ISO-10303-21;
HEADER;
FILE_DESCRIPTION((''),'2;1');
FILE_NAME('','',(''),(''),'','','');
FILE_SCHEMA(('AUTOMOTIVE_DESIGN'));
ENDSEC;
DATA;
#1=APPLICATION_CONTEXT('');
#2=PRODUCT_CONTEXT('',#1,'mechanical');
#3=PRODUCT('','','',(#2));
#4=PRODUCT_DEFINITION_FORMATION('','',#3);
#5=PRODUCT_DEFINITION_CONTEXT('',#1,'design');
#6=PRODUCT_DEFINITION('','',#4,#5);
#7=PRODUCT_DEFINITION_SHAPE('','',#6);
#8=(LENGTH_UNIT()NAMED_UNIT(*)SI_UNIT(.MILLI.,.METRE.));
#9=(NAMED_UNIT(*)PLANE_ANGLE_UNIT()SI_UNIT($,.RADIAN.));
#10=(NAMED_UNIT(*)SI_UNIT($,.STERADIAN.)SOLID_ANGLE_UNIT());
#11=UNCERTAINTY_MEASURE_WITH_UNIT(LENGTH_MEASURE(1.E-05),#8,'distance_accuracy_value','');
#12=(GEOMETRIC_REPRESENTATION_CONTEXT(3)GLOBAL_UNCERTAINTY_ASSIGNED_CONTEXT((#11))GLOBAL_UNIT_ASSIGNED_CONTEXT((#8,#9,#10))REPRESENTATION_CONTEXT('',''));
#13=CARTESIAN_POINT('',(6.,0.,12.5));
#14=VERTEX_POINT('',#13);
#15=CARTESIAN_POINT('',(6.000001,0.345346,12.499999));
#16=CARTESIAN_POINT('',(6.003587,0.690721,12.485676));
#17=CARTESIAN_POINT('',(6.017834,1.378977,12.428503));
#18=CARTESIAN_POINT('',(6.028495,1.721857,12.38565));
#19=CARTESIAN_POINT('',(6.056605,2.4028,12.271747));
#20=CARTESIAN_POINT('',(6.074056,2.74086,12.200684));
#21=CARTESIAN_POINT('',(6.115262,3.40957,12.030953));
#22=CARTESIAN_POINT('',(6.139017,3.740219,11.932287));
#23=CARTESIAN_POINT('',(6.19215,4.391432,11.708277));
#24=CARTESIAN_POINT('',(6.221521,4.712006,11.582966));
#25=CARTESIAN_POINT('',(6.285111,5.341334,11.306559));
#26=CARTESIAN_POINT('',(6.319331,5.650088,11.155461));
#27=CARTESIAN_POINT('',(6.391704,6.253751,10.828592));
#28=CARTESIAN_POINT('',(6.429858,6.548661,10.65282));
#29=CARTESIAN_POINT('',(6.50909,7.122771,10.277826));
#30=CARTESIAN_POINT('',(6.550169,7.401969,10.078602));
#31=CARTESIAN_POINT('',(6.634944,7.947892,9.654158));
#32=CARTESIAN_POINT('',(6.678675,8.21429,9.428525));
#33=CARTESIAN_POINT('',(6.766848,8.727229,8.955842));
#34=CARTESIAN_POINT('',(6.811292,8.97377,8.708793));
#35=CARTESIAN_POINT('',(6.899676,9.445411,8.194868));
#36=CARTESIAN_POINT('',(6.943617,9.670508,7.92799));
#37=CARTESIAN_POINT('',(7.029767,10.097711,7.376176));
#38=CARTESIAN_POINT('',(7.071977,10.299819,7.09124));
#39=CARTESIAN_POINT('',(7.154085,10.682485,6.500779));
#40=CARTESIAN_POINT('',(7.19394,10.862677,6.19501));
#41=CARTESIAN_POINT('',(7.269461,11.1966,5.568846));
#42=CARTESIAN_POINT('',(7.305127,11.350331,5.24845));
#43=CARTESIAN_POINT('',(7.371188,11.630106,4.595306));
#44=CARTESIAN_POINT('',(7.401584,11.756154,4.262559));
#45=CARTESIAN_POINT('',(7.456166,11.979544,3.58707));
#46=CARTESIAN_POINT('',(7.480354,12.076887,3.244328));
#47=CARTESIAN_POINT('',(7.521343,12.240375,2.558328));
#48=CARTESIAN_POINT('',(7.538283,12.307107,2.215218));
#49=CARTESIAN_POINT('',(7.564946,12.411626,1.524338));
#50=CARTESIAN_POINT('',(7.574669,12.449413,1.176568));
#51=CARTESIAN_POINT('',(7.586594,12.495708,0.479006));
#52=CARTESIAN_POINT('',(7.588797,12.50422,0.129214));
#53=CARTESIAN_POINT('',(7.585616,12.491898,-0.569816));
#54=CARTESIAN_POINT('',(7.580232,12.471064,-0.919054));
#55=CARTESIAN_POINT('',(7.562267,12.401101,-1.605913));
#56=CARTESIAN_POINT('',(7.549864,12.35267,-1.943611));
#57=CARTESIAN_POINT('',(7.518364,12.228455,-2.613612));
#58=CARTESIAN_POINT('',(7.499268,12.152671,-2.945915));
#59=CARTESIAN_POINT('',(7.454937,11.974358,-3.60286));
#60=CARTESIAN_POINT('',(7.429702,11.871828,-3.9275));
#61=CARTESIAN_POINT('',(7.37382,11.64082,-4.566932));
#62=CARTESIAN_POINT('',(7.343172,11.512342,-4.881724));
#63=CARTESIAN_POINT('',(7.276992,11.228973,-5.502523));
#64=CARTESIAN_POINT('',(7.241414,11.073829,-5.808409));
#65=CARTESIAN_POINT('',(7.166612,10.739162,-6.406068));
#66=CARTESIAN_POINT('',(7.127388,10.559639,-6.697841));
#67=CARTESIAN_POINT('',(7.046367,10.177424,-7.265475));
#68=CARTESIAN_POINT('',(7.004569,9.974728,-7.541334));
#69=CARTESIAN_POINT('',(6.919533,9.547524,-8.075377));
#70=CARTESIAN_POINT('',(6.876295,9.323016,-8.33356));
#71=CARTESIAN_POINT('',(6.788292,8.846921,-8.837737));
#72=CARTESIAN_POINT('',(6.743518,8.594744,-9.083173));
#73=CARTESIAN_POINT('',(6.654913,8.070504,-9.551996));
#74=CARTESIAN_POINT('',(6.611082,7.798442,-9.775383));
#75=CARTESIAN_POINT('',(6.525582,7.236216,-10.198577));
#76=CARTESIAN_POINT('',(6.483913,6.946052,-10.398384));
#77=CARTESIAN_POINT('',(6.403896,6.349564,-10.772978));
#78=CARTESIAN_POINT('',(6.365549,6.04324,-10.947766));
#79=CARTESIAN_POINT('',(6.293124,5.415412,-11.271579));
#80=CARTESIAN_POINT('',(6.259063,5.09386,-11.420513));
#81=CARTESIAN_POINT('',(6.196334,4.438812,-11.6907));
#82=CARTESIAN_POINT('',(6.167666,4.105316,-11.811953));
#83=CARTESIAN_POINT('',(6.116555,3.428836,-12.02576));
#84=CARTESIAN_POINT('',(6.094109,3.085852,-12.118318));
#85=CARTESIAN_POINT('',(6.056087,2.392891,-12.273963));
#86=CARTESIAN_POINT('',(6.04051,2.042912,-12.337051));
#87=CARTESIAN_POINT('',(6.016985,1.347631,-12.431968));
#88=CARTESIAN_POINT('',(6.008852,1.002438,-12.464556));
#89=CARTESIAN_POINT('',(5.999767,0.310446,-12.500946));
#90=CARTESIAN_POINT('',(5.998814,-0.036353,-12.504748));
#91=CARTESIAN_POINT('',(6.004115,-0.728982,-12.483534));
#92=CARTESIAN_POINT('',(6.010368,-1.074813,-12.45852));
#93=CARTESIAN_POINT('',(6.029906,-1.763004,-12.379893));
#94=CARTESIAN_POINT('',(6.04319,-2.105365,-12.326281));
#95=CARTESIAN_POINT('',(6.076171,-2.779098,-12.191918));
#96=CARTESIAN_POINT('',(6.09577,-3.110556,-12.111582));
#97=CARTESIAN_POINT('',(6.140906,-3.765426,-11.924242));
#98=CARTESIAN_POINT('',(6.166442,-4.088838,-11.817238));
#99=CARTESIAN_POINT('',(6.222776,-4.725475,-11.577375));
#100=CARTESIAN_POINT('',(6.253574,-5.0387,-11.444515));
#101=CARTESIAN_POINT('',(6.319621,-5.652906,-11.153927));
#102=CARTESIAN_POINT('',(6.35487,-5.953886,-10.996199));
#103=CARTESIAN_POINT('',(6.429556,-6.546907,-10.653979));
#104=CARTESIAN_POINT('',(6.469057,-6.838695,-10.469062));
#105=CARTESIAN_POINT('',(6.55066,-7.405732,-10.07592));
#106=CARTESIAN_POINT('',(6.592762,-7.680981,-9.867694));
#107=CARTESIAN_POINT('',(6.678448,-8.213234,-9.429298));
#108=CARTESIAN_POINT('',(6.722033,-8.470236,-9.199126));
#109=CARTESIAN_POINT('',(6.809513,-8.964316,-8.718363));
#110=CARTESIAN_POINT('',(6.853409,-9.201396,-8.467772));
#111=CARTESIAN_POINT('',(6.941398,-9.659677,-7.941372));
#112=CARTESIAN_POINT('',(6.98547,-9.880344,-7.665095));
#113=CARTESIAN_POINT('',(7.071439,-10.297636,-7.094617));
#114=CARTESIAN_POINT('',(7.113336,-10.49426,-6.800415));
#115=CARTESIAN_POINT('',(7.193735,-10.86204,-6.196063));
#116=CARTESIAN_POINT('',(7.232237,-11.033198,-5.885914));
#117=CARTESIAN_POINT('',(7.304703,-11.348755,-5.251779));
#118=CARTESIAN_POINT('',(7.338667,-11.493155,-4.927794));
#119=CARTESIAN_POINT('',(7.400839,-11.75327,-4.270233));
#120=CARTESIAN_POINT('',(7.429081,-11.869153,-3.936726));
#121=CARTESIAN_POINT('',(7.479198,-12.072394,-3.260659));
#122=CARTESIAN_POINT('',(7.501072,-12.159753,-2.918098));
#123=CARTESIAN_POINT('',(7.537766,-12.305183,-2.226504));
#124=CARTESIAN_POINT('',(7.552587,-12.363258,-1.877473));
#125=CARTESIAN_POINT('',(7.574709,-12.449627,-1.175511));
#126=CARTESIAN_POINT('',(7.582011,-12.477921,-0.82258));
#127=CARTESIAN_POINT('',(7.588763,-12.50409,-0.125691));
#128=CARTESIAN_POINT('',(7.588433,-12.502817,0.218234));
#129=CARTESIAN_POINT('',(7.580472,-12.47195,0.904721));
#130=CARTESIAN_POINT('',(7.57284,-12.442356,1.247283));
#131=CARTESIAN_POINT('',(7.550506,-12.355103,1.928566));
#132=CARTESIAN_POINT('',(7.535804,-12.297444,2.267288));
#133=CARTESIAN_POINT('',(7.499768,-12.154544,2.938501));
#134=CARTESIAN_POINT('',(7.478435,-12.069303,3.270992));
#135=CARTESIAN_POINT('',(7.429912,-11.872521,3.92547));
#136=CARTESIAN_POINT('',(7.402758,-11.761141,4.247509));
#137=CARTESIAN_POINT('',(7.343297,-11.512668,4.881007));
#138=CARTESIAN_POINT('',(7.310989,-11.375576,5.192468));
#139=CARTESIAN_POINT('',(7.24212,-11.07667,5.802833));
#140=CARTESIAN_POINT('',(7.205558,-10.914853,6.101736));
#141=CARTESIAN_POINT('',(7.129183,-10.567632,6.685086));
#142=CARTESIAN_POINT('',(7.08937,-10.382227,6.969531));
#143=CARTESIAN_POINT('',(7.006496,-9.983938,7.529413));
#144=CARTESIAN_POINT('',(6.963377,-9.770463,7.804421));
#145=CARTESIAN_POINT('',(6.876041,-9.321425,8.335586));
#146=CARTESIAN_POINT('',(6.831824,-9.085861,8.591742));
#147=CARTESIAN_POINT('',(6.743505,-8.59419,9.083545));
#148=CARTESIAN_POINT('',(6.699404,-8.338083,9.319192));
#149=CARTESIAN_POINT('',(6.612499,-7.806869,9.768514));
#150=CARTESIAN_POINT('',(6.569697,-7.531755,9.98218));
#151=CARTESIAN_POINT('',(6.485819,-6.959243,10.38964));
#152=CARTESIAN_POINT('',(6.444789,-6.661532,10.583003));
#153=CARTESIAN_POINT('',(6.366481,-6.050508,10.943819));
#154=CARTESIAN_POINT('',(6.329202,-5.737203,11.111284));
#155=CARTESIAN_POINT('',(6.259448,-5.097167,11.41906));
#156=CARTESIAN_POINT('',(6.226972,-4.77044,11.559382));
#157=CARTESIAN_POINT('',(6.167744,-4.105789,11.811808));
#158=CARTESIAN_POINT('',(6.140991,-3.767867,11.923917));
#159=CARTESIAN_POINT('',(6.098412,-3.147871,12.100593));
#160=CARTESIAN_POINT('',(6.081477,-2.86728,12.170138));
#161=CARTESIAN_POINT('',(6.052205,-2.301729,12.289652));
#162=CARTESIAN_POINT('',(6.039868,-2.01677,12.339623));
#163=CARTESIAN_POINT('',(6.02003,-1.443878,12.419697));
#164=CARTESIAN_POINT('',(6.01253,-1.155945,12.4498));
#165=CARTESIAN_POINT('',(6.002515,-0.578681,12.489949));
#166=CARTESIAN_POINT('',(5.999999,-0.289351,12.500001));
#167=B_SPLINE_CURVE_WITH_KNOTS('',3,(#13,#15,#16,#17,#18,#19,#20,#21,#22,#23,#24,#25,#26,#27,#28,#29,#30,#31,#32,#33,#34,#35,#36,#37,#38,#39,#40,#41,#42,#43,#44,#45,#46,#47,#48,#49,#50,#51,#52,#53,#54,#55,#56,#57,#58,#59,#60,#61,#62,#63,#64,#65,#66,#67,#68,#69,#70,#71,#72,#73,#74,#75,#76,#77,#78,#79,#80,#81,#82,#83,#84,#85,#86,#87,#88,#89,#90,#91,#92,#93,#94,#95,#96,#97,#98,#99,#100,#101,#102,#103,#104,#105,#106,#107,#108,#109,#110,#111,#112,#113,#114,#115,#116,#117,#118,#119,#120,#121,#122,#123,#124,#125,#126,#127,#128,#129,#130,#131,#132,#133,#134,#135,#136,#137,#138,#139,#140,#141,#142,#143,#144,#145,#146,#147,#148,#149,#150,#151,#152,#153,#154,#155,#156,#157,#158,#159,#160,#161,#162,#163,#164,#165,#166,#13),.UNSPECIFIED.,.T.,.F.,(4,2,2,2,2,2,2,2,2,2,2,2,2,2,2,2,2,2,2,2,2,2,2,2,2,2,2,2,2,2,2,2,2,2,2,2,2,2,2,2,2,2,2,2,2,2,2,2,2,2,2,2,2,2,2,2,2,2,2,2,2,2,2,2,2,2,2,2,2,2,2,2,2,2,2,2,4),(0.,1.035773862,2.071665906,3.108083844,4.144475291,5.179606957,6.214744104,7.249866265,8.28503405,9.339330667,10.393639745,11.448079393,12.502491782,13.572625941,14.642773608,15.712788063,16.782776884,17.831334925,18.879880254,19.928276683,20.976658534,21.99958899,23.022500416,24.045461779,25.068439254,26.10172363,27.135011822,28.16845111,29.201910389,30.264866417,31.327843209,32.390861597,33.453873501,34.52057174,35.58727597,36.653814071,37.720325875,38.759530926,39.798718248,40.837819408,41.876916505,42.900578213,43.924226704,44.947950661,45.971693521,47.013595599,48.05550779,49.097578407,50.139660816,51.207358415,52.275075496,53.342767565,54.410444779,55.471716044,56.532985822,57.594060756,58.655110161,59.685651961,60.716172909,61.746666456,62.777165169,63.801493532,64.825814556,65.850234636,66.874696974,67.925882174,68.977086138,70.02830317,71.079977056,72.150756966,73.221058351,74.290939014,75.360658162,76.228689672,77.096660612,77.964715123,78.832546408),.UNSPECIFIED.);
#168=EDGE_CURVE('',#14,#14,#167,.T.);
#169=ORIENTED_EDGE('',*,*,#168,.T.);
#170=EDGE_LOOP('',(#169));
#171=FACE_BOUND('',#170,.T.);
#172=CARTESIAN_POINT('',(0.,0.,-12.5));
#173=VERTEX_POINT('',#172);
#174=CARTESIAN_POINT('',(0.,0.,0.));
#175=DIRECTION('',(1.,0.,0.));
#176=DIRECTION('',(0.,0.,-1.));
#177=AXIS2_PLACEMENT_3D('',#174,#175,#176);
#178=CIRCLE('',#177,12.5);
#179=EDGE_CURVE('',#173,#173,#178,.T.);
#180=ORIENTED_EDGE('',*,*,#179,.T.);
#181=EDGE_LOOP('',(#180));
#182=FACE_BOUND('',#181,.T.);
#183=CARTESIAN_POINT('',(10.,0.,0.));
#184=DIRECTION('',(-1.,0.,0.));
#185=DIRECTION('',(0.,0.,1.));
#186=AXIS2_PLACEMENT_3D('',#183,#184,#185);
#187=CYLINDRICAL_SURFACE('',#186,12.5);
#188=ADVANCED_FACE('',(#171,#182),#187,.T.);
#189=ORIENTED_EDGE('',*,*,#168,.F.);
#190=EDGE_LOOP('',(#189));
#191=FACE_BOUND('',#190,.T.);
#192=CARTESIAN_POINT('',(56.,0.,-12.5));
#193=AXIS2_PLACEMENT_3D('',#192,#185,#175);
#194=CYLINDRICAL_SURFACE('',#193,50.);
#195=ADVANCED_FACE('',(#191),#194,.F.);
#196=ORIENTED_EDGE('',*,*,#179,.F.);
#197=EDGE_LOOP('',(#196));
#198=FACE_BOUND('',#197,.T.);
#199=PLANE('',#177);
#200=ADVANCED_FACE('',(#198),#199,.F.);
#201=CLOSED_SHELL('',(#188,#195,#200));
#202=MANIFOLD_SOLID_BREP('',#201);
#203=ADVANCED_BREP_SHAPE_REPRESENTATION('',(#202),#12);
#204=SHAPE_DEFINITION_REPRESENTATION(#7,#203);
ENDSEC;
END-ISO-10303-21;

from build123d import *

# Parameters (mm, degrees)
SKETCH_1_R               = 12.5
EXTRUDE_1_DEPTH          = 10
SKETCH_2_R               = 50
CUT_EXTRUDE_1_DEPTH      = 13.5
CUT_EXTRUDE_1_DEPTH_BACK = 13.5


with BuildPart() as part:
    # 草图1 → 凸台-拉伸1 (new body)
    with BuildSketch(Plane(origin=(0, 0, 0), x_dir=(0, 0, -1), z_dir=(1, 0, 0))):
        Circle(SKETCH_1_R)
    extrude(amount=EXTRUDE_1_DEPTH)

    # 草图2 → 切除-拉伸1 (cut, two sides)
    with BuildSketch(Plane.XY) as cut_extrude_1_sk:
        with Locations((56, 0)):
            Circle(SKETCH_2_R)
    extrude(amount=CUT_EXTRUDE_1_DEPTH, mode=Mode.SUBTRACT)
    extrude(cut_extrude_1_sk.sketch, amount=-CUT_EXTRUDE_1_DEPTH_BACK, mode=Mode.SUBTRACT)


solid = part.part
